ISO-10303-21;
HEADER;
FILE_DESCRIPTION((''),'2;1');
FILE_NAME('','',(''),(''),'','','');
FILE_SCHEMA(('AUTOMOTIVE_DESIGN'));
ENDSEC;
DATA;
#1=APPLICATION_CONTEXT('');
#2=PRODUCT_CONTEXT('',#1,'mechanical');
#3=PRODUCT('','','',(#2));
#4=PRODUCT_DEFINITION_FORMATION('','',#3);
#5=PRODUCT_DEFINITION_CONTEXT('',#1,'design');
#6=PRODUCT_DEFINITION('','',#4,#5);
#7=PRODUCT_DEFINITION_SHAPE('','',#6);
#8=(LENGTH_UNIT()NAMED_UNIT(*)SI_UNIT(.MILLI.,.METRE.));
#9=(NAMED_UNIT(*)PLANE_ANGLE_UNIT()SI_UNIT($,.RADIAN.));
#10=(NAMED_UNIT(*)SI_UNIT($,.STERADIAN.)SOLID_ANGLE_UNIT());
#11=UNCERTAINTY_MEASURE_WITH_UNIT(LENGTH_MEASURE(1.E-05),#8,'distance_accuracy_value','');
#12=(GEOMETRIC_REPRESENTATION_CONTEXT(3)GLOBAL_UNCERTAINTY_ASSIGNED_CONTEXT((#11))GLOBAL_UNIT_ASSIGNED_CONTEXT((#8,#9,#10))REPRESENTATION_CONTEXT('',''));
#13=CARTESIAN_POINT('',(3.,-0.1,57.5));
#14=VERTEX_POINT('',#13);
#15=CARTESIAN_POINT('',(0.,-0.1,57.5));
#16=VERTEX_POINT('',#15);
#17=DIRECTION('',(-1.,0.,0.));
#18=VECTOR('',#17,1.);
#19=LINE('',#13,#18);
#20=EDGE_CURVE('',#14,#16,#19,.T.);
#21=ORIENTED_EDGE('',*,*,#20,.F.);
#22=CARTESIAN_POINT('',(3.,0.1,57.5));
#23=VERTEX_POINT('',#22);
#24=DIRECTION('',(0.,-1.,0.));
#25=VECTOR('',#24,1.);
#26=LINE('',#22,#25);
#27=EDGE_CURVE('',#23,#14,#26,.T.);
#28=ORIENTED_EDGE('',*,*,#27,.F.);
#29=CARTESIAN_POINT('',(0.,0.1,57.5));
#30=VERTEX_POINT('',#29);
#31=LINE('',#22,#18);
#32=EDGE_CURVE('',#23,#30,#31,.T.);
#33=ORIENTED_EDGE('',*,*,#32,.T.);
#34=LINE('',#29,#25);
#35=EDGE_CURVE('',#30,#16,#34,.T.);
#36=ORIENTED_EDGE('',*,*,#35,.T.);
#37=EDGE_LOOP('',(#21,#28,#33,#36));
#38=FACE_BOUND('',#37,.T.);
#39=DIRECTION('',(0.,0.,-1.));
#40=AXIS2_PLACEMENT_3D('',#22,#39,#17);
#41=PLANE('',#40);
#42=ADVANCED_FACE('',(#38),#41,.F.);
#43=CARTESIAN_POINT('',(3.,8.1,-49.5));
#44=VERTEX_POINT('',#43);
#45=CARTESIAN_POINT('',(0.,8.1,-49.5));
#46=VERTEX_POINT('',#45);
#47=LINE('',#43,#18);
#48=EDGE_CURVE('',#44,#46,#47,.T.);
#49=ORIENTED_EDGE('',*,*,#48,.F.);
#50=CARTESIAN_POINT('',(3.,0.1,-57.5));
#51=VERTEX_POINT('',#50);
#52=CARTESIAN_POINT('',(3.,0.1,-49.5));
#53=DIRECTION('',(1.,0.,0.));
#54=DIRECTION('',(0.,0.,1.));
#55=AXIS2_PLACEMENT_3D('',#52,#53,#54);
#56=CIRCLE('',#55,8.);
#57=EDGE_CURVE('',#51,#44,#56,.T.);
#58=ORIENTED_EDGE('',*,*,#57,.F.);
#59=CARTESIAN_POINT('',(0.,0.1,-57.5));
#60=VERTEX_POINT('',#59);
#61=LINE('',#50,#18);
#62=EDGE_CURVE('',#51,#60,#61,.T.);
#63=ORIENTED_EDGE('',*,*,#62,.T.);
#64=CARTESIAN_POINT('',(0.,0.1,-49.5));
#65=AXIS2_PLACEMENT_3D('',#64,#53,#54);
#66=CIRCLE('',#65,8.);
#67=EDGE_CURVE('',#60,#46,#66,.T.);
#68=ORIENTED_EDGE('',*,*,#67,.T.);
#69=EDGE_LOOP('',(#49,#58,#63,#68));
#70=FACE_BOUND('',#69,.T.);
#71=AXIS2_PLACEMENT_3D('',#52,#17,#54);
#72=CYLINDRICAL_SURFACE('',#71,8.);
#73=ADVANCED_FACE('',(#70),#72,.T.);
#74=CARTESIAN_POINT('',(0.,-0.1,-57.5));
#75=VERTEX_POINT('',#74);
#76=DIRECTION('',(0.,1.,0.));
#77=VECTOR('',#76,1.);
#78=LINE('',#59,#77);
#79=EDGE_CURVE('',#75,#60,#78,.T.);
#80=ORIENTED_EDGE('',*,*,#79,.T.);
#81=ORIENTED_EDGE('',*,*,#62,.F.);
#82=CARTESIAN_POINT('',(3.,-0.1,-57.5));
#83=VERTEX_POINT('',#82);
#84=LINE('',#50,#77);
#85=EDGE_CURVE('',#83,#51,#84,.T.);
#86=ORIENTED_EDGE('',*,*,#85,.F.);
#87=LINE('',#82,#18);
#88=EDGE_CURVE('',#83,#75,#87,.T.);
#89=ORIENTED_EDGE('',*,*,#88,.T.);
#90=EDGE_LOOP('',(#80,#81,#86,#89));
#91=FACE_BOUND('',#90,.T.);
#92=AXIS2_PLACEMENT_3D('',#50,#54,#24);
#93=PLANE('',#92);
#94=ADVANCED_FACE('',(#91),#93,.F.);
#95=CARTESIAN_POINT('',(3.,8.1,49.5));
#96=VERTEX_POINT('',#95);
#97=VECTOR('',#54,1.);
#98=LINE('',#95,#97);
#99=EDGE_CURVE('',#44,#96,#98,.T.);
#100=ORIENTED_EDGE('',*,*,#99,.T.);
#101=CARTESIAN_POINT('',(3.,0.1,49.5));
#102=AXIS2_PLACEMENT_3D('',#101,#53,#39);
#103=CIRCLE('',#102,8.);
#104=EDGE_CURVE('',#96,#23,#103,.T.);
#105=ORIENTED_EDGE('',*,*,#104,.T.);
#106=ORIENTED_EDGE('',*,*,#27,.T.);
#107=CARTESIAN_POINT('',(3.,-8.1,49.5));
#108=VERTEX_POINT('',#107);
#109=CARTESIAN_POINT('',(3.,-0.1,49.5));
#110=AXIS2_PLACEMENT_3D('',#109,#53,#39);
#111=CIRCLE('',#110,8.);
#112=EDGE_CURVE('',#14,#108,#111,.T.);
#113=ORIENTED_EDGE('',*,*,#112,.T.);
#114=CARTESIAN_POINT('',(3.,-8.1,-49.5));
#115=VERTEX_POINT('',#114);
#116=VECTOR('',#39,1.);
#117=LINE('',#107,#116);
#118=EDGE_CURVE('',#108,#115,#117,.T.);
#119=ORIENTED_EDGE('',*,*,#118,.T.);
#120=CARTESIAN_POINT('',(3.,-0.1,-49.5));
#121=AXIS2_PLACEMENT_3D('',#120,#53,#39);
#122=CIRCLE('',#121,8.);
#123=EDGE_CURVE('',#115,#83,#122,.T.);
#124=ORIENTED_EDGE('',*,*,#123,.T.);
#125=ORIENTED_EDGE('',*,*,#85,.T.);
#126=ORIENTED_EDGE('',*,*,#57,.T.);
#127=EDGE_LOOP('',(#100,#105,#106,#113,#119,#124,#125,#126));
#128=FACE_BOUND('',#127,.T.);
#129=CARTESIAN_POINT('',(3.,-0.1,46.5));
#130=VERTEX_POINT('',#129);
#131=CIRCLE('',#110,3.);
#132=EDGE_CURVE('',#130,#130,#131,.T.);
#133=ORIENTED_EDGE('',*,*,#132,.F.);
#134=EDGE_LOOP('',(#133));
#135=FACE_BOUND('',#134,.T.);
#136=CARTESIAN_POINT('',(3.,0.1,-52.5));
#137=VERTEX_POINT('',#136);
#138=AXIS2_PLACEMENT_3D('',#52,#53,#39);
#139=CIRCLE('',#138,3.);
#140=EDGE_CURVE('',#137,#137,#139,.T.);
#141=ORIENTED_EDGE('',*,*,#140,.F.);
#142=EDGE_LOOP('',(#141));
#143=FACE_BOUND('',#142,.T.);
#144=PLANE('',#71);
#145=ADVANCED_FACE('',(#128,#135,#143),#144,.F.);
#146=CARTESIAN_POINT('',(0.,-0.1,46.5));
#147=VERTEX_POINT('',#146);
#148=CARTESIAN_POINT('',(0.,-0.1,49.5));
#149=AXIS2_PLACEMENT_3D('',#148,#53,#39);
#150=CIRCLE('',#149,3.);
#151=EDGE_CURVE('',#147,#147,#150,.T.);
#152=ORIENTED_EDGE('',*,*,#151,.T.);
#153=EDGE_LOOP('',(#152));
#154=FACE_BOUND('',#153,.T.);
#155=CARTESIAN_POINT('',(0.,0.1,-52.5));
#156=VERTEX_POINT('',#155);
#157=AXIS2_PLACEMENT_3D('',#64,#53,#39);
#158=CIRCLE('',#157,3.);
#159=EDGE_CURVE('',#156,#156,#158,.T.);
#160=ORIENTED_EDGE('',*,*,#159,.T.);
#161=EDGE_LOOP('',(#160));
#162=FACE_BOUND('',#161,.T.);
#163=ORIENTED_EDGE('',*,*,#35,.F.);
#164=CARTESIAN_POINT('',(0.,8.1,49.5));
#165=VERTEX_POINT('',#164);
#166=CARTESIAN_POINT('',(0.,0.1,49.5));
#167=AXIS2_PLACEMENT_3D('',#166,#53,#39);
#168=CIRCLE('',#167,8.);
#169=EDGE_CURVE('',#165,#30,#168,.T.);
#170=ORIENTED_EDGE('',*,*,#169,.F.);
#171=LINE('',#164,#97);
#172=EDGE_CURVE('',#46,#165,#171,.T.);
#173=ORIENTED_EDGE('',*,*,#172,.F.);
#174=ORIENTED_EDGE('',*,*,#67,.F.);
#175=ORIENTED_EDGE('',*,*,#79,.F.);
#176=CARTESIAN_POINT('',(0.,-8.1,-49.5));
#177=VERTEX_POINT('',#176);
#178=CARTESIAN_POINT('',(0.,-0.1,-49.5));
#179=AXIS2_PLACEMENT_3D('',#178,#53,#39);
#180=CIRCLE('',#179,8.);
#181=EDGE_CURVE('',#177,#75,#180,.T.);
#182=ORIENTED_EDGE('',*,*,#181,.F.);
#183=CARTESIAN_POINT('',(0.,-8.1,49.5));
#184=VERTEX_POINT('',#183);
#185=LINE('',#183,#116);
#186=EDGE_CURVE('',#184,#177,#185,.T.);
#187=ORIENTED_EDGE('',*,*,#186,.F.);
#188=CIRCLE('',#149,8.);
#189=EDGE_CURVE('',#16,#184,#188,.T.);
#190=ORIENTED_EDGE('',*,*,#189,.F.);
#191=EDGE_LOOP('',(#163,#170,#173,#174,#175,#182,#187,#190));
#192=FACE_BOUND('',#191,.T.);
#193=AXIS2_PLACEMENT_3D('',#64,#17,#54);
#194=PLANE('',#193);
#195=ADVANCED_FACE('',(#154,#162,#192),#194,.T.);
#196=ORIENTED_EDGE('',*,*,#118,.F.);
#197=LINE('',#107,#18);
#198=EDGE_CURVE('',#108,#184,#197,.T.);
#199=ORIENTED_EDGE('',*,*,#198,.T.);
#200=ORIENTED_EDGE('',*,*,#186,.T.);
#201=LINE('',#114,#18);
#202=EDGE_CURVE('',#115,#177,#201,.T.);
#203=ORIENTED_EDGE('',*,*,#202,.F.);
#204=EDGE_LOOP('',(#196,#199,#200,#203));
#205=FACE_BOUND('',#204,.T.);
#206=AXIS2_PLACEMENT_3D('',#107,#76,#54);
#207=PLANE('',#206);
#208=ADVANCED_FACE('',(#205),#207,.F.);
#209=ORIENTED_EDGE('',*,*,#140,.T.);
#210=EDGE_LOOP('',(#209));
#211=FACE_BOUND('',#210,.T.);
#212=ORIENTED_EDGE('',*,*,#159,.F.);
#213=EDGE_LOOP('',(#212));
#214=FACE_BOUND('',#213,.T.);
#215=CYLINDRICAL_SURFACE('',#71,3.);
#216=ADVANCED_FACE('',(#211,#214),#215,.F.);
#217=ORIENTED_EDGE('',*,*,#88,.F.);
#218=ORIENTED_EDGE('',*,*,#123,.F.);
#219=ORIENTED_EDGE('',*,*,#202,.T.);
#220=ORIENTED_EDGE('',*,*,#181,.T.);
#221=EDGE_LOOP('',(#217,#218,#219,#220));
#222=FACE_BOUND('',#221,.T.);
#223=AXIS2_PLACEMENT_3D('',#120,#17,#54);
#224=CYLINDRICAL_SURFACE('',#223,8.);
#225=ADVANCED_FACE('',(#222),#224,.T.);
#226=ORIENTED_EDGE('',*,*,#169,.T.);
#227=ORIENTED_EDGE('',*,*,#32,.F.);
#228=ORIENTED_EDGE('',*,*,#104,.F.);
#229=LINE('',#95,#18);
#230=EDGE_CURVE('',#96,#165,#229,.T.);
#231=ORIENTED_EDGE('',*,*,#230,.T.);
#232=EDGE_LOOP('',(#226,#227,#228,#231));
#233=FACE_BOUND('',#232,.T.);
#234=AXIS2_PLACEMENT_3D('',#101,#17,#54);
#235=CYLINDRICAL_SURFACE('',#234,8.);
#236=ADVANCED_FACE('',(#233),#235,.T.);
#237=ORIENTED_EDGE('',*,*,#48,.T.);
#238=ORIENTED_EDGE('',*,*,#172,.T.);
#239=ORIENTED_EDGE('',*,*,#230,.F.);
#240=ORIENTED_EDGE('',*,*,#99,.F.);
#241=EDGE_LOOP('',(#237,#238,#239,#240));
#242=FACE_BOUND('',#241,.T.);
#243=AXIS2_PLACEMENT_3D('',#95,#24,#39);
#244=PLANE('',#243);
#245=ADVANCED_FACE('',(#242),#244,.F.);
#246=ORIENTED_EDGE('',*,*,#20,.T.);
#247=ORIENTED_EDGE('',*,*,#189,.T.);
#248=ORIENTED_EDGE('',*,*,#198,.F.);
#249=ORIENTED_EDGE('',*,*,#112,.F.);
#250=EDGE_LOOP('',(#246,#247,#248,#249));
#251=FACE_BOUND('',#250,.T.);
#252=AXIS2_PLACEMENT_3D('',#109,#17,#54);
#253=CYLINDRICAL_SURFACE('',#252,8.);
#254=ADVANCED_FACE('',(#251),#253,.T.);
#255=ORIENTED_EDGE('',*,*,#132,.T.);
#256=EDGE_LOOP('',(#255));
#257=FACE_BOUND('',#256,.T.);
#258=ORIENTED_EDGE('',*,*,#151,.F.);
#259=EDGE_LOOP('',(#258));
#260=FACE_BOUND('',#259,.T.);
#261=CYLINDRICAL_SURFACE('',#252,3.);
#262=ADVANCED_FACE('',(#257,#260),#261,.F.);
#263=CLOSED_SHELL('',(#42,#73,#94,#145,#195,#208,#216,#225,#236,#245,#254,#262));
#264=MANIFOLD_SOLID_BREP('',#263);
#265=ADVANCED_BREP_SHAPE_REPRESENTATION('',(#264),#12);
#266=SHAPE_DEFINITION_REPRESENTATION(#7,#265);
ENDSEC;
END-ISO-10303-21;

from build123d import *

# Parameters (mm, degrees)
SKETCH1_R           = 3
BOSS_EXTRUDE1_DEPTH = 3


with BuildPart() as part:
    # Sketch1 → Boss-Extrude1 (new body)
    with BuildSketch(Plane(origin=(0, 0, 0), x_dir=(0, 0, -1), z_dir=(1, 0, 0))):
        with BuildLine():
            Line((-49.5, 8.1), (49.5, 8.1))
            ThreePointArc((49.5, 8.1), (55.156854249, 5.756854249), (57.5, 0.1))
            Line((57.5, 0.1), (57.5, -0.1))
            ThreePointArc((57.5, -0.1), (55.156854249, -5.756854249), (49.5, -8.1))
            Line((49.5, -8.1), (-49.5, -8.1))
            ThreePointArc((-49.5, -8.1), (-55.156854249, -5.756854249), (-57.5, -0.1))
            Line((-57.5, -0.1), (-57.5, 0.1))
            ThreePointArc((-57.5, 0.1), (-55.156854249, 5.756854249), (-49.5, 8.1))
        make_face()
        with Locations((-49.5, -0.1)):
            Circle(SKETCH1_R, mode=Mode.SUBTRACT)
        with Locations((49.5, 0.1)):
            Circle(SKETCH1_R, mode=Mode.SUBTRACT)
    extrude(amount=BOSS_EXTRUDE1_DEPTH)


solid = part.part
